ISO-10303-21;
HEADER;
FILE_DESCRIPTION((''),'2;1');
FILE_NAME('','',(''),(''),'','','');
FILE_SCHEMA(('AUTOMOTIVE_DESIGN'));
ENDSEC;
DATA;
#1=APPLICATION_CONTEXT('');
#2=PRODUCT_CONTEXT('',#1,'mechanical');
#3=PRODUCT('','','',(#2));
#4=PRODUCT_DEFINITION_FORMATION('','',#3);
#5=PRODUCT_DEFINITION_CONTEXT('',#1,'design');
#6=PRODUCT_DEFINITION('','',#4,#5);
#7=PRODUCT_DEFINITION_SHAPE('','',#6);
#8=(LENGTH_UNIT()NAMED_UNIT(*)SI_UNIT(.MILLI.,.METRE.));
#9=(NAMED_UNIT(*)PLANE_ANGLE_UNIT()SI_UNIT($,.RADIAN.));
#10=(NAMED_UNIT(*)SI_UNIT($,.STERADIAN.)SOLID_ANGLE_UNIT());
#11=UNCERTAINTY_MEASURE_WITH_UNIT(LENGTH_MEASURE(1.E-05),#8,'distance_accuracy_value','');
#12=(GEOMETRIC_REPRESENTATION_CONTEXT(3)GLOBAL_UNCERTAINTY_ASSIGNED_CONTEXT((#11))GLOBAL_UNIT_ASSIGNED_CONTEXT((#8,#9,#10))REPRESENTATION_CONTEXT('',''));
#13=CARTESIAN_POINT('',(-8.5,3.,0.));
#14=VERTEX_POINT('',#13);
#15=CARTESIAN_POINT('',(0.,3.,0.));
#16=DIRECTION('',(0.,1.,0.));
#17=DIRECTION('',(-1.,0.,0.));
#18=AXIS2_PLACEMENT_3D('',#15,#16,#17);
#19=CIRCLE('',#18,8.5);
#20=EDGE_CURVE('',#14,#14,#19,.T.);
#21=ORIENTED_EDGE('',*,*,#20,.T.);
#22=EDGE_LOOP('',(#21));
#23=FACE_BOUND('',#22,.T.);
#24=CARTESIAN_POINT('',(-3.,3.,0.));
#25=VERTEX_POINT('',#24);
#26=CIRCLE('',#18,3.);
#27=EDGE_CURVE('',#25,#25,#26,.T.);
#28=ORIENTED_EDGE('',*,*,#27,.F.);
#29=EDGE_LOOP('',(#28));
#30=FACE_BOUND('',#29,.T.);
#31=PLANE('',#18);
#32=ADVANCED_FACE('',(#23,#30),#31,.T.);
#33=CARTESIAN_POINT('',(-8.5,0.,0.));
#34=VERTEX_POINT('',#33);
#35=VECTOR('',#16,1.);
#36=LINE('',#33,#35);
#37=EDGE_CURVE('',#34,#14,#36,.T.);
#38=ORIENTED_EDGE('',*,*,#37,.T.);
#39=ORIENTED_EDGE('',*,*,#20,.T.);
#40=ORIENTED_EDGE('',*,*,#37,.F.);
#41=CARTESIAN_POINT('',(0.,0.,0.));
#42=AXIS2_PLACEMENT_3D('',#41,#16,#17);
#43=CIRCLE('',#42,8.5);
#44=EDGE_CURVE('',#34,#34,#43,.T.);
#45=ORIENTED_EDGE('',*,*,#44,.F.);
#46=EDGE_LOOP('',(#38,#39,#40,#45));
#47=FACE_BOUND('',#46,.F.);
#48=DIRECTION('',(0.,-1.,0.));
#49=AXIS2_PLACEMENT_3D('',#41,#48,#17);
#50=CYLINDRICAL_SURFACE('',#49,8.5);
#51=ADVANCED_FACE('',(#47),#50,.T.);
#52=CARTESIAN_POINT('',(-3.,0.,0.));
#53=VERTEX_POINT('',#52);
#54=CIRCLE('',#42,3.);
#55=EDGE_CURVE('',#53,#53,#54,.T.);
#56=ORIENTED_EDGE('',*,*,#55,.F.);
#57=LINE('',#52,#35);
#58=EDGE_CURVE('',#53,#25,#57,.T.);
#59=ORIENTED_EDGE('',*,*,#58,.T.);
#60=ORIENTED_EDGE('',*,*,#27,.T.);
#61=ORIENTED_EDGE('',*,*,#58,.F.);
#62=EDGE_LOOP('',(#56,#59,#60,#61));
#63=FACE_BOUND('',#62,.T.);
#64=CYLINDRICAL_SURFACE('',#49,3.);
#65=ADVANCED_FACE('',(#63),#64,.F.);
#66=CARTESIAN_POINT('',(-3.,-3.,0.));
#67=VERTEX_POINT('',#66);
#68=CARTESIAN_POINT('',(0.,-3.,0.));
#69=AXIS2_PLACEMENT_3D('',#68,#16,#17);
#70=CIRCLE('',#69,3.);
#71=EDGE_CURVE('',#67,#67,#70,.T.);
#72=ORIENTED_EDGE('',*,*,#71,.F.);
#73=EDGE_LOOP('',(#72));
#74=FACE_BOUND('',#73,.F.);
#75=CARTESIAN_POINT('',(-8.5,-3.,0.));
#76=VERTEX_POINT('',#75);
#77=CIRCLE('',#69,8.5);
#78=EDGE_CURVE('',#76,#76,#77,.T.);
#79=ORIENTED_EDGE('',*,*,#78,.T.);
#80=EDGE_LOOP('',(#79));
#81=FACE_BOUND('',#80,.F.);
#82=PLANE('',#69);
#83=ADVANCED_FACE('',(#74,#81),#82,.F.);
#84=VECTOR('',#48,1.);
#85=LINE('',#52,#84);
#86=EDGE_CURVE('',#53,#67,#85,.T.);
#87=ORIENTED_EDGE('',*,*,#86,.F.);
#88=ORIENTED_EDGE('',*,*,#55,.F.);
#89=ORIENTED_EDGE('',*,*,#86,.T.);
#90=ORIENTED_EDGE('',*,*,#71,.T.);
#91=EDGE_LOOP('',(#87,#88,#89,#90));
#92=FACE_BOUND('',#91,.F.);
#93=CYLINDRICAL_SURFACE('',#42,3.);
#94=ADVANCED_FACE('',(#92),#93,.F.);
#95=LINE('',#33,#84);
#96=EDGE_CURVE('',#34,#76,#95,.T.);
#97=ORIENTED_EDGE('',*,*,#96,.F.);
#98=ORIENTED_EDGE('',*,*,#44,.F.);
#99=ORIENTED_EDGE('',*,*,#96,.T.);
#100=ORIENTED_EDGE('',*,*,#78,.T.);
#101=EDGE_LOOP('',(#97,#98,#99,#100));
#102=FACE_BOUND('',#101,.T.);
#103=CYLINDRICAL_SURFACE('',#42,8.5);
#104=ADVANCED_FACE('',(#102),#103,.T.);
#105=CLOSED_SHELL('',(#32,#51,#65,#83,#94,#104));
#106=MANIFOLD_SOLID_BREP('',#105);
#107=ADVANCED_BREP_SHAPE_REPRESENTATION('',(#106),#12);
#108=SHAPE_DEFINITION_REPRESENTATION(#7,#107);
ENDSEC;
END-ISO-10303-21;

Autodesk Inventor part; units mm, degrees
ref_plane "YZ Plane" through (0, 0, 0) normal (1, 0, 0) x (0, 1, 0)
ref_plane "XZ Plane" through (0, 0, 0) normal (0, 1, 0) x (-1, 0, 0)
ref_plane "XY Plane" through (0, 0, 0) normal (0, 0, 1) x (1, 0, 0)
sketch "Эскиз1" plane through (0, 0, 0) normal (0, 1, 0) x (-1, 0, 0)
  circle A0 centre (0, 0) radius 8.5
  circle A1 centre (0, 0) radius 3
  dimension "d0" = 17
  dimension "d1" = 6
extrude "Выдавливание1" add sketch "Эскиз1" along normal mid plane 6
properties part number "Подшипник"
